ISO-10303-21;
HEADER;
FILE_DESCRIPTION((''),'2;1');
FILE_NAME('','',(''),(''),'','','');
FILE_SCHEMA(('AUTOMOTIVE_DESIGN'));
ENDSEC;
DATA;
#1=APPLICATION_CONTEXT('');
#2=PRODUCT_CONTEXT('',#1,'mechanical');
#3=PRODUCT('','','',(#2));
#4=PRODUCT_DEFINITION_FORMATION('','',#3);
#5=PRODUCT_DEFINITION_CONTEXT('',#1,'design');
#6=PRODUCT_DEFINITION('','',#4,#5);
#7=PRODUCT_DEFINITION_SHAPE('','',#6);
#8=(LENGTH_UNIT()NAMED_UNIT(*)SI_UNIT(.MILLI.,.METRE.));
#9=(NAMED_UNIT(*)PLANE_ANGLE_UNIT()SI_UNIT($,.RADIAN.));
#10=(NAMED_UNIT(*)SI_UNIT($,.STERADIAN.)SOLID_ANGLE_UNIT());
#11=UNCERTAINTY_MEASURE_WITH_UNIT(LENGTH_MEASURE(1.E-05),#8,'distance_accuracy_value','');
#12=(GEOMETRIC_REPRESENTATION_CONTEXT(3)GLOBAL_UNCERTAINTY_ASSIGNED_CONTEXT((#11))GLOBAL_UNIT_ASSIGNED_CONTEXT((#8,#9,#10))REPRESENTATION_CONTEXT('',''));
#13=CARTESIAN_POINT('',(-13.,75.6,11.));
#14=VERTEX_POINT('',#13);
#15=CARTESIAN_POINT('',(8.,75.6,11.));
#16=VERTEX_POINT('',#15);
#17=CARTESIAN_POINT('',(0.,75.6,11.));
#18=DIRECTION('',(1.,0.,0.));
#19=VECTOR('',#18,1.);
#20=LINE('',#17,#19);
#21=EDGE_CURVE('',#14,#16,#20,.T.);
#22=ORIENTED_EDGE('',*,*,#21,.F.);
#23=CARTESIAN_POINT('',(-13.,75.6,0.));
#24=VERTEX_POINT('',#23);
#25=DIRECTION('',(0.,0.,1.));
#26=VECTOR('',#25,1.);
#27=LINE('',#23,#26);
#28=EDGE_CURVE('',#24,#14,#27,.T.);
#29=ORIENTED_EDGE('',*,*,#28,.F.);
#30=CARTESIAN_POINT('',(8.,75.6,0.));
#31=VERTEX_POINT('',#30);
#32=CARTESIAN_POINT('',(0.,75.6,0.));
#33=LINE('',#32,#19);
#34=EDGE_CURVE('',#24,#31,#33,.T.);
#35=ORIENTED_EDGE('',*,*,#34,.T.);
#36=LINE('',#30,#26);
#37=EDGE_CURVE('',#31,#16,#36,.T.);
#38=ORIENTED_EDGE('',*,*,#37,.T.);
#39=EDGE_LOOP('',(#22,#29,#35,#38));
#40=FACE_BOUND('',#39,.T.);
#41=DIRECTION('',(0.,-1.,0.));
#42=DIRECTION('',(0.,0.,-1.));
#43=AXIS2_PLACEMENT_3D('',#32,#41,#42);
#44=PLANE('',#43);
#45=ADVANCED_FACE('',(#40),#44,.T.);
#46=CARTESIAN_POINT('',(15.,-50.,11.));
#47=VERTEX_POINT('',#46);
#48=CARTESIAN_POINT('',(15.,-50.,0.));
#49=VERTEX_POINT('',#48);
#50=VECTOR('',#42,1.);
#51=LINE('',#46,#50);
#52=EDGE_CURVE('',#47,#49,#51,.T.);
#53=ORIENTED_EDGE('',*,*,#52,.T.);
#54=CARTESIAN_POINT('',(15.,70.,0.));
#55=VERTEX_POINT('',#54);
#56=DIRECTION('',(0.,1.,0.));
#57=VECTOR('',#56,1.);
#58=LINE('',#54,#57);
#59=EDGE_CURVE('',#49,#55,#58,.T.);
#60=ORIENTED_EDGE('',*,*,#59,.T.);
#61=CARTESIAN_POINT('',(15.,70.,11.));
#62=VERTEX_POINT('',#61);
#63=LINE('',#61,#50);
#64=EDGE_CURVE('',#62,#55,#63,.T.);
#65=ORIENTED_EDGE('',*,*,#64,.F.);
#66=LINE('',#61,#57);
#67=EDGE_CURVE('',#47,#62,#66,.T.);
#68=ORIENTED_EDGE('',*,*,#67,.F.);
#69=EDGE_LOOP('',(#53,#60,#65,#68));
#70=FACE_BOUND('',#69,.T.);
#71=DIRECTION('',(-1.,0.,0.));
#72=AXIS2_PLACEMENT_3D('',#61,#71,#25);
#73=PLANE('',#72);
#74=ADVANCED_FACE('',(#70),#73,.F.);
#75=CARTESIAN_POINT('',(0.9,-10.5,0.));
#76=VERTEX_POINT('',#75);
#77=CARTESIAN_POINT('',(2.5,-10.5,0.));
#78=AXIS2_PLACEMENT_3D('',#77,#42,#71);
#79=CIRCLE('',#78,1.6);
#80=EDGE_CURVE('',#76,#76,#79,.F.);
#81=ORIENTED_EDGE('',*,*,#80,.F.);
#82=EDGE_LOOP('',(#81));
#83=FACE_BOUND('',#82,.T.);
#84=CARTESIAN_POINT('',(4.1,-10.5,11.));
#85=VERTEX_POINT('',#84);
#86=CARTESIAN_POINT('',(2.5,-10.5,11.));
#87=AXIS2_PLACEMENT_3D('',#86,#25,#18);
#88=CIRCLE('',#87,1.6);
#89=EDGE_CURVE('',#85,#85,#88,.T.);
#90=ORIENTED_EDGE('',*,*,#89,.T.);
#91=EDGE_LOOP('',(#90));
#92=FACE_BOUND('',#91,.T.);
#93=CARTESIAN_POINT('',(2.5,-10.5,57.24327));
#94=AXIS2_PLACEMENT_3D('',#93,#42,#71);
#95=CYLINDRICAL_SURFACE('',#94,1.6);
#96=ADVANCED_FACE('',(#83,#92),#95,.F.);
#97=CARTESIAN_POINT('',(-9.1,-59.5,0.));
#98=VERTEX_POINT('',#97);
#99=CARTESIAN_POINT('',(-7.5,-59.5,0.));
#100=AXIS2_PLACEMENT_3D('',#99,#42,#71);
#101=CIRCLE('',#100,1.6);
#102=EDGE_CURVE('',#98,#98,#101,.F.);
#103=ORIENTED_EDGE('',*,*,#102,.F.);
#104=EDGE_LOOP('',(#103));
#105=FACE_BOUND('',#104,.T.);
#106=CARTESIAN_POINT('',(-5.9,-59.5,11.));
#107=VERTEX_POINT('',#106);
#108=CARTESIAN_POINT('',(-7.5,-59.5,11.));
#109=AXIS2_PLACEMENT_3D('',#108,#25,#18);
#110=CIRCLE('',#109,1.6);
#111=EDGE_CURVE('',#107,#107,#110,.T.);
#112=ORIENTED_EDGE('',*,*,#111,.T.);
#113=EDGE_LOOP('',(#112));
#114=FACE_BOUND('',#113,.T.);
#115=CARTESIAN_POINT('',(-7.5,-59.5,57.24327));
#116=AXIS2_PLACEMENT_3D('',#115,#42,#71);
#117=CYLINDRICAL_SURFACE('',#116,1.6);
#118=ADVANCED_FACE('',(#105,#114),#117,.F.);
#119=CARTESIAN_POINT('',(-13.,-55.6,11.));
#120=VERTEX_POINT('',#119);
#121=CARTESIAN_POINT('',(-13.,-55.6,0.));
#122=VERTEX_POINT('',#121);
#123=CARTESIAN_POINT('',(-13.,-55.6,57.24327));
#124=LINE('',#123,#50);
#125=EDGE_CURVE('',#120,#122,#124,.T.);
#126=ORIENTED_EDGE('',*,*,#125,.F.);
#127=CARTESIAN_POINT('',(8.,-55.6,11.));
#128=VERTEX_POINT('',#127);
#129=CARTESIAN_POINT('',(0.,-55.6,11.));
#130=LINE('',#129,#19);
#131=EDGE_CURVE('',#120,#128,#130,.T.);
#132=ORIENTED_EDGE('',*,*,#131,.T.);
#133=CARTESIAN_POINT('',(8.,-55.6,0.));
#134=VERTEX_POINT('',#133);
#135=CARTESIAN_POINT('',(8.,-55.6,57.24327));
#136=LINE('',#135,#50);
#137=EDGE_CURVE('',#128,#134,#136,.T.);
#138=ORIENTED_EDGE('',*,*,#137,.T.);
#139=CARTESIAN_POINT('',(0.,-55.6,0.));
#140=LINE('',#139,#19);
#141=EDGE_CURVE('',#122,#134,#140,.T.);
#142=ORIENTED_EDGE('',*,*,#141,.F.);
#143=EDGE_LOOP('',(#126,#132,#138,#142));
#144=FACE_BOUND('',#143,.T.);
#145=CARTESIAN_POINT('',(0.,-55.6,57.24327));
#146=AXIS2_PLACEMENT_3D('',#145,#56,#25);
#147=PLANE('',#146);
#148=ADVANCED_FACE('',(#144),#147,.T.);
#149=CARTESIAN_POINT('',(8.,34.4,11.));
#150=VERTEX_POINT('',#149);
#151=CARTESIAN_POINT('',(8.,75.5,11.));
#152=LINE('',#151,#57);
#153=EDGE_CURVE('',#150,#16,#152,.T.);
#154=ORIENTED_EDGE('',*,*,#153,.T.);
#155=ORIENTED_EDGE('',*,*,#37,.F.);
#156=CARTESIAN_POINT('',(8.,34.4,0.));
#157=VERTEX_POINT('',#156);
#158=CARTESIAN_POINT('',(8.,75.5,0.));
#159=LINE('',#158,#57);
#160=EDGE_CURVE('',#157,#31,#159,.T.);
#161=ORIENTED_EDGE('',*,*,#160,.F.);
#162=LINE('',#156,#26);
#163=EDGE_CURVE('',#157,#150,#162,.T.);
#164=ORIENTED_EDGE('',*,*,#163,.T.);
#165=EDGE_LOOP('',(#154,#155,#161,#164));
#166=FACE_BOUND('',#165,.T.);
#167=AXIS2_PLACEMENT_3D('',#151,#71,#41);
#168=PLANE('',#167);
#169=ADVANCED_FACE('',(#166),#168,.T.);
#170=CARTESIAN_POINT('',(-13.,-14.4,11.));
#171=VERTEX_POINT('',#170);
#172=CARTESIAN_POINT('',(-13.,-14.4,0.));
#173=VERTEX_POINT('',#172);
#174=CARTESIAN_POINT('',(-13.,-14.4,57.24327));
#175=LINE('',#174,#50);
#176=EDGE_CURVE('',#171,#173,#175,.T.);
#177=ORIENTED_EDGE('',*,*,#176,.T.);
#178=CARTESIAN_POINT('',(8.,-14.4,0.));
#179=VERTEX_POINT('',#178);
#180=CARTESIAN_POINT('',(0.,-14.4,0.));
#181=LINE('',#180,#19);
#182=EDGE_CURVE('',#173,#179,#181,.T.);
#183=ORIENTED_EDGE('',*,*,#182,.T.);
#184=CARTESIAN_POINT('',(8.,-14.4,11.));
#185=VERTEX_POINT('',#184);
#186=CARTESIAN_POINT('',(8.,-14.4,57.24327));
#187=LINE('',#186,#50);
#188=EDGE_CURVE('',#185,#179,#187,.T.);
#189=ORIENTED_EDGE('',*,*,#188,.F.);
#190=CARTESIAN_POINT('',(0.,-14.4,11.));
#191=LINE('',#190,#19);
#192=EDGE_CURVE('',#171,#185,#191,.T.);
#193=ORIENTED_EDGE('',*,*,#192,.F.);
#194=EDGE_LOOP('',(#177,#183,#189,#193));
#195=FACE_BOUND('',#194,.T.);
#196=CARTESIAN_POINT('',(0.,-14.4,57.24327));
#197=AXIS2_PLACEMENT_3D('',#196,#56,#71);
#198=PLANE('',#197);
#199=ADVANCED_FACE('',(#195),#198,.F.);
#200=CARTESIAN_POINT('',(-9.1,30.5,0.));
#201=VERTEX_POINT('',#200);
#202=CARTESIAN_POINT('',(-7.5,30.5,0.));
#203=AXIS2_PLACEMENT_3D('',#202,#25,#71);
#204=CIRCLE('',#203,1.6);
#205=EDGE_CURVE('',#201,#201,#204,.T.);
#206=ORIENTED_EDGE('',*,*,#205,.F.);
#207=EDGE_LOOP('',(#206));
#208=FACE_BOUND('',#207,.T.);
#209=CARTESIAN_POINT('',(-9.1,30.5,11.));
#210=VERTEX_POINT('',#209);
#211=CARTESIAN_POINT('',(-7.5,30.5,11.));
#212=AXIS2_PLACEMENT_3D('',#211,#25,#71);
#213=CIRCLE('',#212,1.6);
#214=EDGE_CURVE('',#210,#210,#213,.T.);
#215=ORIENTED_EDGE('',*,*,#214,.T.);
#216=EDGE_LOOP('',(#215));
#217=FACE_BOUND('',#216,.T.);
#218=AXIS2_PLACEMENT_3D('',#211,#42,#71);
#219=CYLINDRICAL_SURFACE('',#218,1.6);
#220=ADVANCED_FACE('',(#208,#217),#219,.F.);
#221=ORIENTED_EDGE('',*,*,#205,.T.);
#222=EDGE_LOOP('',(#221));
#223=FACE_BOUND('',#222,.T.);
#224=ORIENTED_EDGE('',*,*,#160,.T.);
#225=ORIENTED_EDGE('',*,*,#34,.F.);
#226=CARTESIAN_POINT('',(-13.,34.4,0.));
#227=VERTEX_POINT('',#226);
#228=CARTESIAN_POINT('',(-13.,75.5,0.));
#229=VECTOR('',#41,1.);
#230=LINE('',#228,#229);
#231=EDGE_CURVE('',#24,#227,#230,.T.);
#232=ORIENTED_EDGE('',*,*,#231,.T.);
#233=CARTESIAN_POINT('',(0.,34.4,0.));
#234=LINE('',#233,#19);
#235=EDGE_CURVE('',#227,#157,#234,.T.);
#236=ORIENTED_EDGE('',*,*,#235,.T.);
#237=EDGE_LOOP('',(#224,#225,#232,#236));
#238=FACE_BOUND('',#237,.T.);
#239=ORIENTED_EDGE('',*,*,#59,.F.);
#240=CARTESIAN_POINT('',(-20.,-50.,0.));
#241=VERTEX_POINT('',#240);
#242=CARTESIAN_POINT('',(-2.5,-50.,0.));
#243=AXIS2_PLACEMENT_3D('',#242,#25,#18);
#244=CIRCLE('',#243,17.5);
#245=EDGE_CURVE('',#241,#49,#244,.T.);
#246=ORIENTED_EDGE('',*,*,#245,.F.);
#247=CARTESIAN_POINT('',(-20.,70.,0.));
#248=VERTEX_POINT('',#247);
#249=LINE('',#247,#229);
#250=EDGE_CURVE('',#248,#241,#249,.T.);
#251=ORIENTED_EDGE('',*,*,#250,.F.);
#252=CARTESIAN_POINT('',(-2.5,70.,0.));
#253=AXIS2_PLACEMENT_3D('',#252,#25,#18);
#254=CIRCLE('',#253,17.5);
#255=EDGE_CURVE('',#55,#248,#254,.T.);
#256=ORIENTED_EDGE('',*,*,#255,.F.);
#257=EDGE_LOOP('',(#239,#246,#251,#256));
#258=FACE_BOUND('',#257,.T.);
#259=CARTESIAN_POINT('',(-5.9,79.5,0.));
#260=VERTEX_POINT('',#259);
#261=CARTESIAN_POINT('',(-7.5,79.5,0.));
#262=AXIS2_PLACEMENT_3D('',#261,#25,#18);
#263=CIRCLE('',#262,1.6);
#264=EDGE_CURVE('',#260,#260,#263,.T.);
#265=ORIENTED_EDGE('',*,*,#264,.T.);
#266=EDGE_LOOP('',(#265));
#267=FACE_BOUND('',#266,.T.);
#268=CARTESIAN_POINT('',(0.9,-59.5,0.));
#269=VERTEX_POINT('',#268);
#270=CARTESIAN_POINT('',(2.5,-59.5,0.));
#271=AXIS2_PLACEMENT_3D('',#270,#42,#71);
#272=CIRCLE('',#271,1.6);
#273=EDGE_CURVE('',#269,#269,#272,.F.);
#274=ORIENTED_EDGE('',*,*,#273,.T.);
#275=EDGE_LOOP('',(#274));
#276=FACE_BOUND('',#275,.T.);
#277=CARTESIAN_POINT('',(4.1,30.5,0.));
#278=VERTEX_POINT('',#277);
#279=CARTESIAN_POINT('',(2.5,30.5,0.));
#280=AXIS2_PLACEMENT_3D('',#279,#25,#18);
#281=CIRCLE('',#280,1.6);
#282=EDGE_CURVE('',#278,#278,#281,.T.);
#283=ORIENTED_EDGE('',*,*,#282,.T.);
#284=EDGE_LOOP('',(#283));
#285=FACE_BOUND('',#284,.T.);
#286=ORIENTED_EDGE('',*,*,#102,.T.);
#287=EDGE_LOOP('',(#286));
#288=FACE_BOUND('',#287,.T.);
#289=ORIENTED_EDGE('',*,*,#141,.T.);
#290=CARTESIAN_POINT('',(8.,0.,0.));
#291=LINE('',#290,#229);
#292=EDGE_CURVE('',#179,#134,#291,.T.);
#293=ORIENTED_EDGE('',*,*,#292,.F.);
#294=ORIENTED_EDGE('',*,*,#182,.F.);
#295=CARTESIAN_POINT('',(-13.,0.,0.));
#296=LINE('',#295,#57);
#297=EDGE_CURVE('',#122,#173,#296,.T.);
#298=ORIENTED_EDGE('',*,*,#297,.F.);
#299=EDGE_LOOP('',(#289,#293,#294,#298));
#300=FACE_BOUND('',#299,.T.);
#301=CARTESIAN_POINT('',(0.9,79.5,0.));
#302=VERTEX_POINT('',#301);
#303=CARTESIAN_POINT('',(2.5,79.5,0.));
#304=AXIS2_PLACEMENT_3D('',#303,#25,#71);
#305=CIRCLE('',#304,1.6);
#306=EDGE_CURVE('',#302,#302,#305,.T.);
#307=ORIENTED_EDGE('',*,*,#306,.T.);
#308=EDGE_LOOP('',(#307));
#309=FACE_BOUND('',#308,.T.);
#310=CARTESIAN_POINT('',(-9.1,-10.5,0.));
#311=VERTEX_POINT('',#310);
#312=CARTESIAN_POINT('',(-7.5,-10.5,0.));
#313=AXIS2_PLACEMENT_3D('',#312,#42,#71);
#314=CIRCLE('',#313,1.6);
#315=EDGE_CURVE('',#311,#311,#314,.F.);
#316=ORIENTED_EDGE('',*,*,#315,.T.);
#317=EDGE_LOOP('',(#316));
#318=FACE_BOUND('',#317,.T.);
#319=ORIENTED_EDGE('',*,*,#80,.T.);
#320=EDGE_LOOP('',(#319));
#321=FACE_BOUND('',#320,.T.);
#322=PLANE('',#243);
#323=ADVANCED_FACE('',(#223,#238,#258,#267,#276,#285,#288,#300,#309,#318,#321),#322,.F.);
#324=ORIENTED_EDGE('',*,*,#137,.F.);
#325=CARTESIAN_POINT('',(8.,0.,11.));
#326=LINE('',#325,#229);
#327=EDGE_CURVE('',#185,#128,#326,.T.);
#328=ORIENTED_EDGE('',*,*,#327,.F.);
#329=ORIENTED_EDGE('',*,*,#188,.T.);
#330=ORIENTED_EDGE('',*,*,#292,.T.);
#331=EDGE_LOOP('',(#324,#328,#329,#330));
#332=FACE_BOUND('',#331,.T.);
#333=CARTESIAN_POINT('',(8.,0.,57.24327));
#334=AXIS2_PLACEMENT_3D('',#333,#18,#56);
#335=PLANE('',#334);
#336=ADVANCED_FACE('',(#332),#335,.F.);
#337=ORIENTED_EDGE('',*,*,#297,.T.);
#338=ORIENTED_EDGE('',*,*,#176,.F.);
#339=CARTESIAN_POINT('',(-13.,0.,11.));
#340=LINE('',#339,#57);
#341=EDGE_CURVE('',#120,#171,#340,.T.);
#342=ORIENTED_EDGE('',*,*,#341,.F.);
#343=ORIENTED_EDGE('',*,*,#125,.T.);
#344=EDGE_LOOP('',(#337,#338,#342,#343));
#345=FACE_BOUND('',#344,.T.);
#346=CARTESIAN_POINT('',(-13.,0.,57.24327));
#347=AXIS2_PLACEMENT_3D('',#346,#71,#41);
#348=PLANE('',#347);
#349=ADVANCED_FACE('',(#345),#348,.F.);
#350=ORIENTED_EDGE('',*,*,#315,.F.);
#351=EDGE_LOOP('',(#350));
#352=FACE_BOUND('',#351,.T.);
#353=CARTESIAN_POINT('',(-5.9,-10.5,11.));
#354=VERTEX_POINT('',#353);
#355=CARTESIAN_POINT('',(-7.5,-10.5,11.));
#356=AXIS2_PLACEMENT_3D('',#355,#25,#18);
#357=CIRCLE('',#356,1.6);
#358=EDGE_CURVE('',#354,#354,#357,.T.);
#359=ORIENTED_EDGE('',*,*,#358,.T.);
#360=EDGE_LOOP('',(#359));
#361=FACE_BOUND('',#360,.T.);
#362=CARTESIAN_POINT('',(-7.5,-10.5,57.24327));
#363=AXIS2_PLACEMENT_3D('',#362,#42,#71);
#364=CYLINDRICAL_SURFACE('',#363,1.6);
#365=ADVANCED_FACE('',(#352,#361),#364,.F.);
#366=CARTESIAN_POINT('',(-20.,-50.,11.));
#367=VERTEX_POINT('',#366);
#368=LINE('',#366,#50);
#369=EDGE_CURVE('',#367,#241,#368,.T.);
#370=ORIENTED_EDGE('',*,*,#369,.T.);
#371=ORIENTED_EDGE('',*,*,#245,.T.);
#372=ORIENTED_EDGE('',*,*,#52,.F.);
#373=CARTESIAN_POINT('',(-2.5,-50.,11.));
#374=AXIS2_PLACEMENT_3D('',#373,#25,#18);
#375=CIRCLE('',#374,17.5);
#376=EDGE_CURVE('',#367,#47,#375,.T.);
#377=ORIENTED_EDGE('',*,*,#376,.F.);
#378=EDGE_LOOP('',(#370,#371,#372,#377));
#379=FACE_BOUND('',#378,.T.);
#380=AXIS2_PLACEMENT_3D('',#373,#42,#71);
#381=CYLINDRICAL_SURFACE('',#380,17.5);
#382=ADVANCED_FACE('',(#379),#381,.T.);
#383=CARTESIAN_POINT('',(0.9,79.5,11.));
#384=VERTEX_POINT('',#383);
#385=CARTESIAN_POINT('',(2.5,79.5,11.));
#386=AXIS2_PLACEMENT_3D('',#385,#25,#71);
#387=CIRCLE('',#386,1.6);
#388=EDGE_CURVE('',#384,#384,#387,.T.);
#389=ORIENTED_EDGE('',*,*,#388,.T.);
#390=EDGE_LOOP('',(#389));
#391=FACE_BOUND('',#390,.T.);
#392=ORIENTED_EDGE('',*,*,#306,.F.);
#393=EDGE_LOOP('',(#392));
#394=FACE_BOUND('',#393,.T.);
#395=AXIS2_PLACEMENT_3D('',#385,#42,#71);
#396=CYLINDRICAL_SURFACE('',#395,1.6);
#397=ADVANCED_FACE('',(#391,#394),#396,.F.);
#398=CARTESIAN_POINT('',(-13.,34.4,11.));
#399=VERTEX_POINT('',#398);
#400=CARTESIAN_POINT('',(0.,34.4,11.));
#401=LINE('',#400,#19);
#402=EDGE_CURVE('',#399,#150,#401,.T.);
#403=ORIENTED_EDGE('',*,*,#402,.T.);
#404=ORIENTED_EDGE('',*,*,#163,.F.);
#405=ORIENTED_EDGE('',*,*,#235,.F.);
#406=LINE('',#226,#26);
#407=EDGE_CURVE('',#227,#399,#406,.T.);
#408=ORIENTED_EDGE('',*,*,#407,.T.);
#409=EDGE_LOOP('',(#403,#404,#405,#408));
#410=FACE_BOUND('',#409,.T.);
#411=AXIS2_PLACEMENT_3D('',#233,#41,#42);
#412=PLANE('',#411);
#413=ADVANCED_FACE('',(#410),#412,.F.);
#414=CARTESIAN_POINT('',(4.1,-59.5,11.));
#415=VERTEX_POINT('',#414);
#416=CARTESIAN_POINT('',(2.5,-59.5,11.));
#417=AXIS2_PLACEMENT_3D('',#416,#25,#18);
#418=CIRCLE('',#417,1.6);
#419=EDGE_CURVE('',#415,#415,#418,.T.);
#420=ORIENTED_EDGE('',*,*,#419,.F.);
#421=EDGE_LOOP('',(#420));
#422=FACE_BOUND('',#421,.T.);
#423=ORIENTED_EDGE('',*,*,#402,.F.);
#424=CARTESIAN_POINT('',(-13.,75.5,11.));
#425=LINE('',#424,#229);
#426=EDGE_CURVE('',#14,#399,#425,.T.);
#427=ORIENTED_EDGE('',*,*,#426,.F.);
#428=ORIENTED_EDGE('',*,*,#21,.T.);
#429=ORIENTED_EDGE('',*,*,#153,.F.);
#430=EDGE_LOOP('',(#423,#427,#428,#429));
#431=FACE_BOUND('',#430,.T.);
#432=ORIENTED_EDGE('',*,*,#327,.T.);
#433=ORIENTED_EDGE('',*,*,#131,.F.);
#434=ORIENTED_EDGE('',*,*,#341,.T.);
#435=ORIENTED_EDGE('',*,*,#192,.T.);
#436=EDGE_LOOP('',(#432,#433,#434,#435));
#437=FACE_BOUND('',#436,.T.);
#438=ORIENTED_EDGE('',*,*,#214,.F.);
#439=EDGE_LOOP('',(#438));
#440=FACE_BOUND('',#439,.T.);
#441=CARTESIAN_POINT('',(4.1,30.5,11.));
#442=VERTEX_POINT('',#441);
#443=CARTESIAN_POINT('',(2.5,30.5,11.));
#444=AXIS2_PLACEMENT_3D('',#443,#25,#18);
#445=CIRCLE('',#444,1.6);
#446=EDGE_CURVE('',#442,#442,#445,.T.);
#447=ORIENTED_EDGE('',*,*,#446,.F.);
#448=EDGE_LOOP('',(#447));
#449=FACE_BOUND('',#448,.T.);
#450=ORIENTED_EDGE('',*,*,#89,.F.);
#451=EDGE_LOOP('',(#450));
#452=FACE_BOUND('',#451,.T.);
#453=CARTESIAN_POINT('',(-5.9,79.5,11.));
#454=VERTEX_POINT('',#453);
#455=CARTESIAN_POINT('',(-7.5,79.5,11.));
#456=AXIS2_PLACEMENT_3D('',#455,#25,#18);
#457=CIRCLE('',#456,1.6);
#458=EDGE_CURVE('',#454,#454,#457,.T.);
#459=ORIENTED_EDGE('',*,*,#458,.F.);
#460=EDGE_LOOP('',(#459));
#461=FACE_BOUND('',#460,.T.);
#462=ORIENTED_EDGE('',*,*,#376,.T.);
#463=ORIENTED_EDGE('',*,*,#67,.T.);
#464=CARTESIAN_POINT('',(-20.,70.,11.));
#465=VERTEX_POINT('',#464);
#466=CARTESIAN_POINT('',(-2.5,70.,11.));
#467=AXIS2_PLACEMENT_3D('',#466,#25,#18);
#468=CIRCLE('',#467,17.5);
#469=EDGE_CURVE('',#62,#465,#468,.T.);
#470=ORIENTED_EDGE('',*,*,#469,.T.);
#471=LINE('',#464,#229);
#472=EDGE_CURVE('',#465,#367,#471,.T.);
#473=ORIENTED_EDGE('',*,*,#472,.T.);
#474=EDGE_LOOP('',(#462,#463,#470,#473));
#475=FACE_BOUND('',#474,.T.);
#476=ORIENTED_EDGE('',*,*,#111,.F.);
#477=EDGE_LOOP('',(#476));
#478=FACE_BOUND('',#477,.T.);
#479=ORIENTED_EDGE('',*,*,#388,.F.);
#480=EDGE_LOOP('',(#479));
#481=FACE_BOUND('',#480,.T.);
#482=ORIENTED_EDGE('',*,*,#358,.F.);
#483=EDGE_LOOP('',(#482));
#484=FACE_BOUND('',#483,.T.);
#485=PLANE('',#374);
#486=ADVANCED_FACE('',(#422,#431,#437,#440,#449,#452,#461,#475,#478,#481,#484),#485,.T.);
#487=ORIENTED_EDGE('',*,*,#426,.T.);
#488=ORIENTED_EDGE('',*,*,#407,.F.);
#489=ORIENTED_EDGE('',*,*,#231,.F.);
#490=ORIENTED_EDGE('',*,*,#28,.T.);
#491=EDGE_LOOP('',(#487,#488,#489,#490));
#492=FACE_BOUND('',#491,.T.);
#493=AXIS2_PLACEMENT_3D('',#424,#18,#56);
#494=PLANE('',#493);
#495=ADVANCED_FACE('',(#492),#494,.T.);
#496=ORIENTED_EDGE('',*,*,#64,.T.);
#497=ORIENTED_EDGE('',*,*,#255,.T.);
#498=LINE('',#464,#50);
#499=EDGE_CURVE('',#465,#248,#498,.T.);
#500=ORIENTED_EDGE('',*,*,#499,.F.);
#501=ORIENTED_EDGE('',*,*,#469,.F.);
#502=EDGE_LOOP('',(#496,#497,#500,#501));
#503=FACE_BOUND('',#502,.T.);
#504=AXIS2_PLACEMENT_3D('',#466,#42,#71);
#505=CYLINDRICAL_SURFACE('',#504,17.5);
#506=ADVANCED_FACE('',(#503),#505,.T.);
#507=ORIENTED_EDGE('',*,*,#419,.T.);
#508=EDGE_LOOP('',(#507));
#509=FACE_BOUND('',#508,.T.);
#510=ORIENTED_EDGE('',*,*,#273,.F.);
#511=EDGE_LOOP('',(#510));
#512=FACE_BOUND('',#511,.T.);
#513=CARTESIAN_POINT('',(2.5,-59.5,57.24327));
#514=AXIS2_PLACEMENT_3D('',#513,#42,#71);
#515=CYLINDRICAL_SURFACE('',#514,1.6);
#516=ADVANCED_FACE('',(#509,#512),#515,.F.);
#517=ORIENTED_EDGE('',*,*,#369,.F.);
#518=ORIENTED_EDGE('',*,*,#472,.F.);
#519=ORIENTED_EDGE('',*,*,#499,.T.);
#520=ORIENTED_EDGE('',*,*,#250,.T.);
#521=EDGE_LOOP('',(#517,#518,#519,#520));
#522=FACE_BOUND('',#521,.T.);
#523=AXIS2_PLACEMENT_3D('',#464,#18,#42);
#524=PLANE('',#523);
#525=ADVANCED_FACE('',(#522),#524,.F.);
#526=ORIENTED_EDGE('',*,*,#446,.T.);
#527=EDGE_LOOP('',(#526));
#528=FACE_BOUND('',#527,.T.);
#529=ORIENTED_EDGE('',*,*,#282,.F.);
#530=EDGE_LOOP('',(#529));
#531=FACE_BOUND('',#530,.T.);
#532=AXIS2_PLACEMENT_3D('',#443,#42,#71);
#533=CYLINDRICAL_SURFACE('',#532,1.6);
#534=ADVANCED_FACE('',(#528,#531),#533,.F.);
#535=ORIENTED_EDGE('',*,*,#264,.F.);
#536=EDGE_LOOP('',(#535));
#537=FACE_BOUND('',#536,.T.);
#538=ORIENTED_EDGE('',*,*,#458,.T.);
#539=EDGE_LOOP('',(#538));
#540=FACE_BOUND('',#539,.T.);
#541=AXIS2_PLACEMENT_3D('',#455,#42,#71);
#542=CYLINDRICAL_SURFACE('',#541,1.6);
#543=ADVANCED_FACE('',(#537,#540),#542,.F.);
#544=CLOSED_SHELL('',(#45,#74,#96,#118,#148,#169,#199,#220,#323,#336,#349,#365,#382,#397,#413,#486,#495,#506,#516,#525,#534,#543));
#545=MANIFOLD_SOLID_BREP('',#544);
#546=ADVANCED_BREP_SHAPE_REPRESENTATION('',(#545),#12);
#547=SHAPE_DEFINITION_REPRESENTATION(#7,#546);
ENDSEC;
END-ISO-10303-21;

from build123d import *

# Parameters (mm, degrees)
SKETCH1_R           = 1.6
SKETCH1_W           = 21
SKETCH1_H           = 41
BOSS_EXTRUDE1_DEPTH = 11
SKETCH6_W           = 21
SKETCH6_H           = 0.1
CUT_EXTRUDE1_DEPTH  = 91.428148273
SKETCH7_W           = 21
SKETCH7_H           = 41.2
SKETCH7_R           = 1.6
CUT_EXTRUDE2_DEPTH  = 11


with BuildPart() as part:
    # Sketch1 → Boss-Extrude1 (new body)
    with BuildSketch(Plane.XY):
        with BuildLine():
            Line((-20, 70), (-20, -50))
            ThreePointArc((-20, -50), (-2.5, -67.5), (15, -50))
            Line((15, -50), (15, 70))
            ThreePointArc((15, 70), (-2.5, 87.5), (-20, 70))
        make_face()
        with Locations((-7.5, 79.5)):
            Circle(SKETCH1_R, mode=Mode.SUBTRACT)
        with Locations(Location((2.5, 79.5, 0), (0, 0, 180))):
            Circle(SKETCH1_R, mode=Mode.SUBTRACT)
        with Locations((2.5, 30.5)):
            Circle(SKETCH1_R, mode=Mode.SUBTRACT)
        with Locations(Location((-7.5, 30.5, 0), (0, 0, 180))):
            Circle(SKETCH1_R, mode=Mode.SUBTRACT)
        with Locations((-2.5, 55)):
            Rectangle(SKETCH1_W, SKETCH1_H, mode=Mode.SUBTRACT)
    extrude(amount=BOSS_EXTRUDE1_DEPTH)

    # Sketch6 → Cut-Extrude1 (cut, through all)
    with BuildSketch(Plane.XY.offset(11)):
        with Locations((-2.5, 75.55)):
            Rectangle(SKETCH6_W, SKETCH6_H)
        with Locations((-2.5, 34.45)):
            Rectangle(SKETCH6_W, SKETCH6_H)
    extrude(amount=-CUT_EXTRUDE1_DEPTH, mode=Mode.SUBTRACT)

    # Sketch7 → Cut-Extrude2 (cut)
    with BuildSketch(Plane(origin=(0, 0, 0), x_dir=(-1, 0, 0), z_dir=(0, 0, -1))):
        with Locations((2.5, -35)):
            Rectangle(SKETCH7_W, SKETCH7_H)
        with Locations((-2.5, -10.5)):
            Circle(SKETCH7_R)
        with Locations((7.5, -10.5)):
            Circle(SKETCH7_R)
        with Locations((-2.5, -59.5)):
            Circle(SKETCH7_R)
        with Locations((7.5, -59.5)):
            Circle(SKETCH7_R)
    extrude(amount=-CUT_EXTRUDE2_DEPTH, mode=Mode.SUBTRACT)


solid = part.part
